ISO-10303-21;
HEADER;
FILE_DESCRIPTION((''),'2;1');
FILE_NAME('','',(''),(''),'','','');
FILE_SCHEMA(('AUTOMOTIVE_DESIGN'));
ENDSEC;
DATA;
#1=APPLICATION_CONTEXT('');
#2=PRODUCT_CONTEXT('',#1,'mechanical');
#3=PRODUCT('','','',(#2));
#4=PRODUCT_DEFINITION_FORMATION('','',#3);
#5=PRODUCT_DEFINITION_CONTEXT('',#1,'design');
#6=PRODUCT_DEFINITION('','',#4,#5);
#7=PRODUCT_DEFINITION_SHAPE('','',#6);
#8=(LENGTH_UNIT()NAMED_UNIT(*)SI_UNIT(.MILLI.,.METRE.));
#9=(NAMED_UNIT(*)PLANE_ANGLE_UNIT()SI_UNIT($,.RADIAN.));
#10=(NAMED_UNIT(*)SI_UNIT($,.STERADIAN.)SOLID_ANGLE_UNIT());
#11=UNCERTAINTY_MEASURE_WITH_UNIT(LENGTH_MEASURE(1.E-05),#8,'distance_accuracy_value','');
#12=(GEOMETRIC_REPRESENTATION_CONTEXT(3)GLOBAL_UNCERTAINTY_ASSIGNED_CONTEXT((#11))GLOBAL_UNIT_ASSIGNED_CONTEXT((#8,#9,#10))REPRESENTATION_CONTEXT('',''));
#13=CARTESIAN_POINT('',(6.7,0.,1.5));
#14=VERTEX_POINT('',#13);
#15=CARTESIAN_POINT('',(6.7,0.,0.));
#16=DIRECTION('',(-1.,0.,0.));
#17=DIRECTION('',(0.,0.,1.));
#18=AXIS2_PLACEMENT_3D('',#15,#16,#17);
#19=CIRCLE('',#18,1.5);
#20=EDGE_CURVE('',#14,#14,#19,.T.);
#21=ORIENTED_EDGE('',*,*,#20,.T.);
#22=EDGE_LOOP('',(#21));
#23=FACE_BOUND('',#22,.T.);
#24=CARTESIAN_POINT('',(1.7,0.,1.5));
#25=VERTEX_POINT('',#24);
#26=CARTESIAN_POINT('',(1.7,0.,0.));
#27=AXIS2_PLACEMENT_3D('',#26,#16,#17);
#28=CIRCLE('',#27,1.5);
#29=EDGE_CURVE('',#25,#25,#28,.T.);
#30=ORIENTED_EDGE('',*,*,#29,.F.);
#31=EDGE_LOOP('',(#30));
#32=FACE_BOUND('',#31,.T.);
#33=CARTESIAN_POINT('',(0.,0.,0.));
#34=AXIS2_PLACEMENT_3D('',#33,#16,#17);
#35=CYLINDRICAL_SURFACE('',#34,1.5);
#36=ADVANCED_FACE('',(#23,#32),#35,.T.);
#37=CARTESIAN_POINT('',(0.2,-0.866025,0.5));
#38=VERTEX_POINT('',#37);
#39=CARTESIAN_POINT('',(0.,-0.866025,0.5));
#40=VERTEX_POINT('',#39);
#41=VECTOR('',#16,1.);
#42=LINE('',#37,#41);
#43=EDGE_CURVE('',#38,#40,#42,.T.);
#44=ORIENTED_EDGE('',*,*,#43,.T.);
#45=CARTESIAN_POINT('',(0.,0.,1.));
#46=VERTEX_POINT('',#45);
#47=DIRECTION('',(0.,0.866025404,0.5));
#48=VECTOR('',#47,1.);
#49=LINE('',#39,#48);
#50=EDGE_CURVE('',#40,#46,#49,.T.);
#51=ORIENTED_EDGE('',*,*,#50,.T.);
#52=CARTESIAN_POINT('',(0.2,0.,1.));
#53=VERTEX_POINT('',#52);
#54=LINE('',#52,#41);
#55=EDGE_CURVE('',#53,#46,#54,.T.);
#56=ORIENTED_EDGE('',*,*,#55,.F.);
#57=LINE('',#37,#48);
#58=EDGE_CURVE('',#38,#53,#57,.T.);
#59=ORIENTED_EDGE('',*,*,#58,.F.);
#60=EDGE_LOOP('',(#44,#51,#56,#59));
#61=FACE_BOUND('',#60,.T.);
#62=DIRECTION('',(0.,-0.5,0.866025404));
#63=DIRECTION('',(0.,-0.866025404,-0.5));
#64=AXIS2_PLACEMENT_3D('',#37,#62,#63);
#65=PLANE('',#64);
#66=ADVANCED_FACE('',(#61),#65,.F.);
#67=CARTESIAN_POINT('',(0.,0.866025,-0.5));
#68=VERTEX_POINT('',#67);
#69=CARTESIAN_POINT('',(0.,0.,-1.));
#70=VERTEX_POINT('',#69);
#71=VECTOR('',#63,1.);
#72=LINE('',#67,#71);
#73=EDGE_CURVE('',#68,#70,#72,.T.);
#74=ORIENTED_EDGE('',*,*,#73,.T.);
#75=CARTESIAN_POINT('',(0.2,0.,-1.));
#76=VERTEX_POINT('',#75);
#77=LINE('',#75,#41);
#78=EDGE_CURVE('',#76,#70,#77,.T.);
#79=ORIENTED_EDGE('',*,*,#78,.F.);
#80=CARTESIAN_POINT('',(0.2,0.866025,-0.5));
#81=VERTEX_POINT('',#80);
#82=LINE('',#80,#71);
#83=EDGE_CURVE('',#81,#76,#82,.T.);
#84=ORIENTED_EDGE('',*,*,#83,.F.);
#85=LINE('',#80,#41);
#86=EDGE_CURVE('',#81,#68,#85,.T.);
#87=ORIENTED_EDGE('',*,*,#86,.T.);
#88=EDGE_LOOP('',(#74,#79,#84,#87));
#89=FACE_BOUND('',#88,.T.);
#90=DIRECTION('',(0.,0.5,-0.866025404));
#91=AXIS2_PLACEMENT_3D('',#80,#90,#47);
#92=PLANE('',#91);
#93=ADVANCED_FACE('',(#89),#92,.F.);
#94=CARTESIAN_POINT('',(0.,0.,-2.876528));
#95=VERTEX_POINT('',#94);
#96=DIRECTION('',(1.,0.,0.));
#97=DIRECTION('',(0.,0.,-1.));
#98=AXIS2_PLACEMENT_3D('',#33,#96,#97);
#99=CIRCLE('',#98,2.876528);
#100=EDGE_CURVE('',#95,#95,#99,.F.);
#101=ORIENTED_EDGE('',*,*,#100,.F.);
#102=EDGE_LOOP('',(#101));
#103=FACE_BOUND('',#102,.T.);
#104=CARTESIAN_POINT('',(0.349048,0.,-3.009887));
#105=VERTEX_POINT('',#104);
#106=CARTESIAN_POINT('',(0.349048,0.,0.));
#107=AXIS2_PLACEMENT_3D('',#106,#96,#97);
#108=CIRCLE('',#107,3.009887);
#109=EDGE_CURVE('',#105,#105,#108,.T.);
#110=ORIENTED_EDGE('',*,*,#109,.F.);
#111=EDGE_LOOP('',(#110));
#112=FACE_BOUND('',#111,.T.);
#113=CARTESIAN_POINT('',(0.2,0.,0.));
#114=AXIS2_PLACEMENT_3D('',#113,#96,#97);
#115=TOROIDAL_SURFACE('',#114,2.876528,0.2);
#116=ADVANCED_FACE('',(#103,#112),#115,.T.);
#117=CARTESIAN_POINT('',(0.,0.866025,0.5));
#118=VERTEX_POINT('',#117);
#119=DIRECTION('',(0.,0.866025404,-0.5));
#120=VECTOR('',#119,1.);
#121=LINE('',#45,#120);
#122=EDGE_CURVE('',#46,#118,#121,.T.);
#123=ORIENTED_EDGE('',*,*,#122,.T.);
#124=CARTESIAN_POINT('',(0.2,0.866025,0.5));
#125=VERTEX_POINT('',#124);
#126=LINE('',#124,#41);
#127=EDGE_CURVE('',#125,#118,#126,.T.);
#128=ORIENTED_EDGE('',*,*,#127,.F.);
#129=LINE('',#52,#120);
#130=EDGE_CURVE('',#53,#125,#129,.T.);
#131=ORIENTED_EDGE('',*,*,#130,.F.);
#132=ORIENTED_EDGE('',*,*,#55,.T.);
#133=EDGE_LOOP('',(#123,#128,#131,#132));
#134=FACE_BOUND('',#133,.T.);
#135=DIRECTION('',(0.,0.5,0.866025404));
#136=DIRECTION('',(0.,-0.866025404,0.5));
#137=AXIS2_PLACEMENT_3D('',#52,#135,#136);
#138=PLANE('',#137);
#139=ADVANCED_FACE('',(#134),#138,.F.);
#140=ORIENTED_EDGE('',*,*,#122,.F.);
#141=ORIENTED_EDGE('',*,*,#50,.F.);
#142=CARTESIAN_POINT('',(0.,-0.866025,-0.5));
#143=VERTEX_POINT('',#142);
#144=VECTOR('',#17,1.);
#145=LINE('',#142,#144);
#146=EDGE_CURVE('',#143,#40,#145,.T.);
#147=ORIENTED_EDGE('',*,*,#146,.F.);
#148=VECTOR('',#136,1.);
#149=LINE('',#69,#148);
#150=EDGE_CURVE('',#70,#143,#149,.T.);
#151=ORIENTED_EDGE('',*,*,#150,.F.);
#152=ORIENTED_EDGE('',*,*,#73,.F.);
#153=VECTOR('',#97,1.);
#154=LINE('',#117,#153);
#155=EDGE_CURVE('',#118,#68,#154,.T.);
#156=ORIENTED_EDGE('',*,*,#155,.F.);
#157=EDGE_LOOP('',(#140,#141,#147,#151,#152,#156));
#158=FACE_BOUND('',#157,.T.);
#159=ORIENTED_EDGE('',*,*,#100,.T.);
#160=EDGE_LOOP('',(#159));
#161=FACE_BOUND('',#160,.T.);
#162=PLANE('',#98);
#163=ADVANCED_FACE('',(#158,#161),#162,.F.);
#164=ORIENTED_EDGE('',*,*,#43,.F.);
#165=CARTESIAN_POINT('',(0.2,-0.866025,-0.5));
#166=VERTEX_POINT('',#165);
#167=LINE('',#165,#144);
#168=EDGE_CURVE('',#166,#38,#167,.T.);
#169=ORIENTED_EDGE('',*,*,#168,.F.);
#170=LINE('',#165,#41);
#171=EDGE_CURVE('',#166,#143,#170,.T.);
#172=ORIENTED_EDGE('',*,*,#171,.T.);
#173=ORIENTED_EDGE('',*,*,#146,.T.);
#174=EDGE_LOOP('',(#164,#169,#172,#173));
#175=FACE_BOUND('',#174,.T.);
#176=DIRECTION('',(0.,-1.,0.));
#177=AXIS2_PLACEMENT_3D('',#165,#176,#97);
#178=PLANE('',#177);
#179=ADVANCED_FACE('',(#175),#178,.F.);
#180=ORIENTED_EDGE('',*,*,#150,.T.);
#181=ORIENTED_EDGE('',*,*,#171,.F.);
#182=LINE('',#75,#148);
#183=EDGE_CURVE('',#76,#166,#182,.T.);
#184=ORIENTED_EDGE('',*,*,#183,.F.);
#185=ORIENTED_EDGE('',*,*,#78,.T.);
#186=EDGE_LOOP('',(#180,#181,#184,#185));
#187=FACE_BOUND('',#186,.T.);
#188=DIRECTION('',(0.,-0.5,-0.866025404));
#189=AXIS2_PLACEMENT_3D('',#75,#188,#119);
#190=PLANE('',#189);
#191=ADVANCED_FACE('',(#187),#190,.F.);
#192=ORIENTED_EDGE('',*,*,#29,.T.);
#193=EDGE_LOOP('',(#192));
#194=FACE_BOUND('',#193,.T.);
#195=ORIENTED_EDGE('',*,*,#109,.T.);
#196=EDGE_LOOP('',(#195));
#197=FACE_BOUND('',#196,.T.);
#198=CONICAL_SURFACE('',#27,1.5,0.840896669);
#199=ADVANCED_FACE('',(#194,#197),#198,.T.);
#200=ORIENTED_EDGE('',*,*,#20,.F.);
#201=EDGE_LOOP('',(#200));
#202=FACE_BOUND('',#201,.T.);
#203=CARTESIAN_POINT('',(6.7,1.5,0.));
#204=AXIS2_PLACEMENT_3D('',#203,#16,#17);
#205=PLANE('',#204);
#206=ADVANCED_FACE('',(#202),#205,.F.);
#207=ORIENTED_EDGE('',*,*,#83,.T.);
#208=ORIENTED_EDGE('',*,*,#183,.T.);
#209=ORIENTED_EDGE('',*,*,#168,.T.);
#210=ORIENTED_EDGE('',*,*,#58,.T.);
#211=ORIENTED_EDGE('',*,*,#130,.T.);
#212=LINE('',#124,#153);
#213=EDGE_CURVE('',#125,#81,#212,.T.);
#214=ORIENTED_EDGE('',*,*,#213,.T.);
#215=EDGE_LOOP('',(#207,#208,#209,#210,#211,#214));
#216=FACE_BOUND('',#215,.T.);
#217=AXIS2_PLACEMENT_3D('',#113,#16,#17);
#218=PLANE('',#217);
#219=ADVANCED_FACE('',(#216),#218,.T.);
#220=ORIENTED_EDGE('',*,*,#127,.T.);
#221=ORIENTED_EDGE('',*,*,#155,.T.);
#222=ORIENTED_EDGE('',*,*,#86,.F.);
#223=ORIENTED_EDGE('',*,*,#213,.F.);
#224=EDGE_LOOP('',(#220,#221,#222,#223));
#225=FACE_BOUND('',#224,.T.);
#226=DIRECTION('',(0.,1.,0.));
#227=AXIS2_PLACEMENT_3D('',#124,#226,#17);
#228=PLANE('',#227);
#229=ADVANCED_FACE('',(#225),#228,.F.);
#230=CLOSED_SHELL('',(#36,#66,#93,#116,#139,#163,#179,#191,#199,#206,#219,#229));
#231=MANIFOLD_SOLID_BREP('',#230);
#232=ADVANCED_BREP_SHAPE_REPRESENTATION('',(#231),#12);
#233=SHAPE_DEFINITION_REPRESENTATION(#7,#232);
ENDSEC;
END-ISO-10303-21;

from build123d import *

# Parameters (mm, degrees)
CONG_1_R                = 0.2
ENL_V_MAT_EXTRU_1_DEPTH = 0.2


with BuildPart() as part:
    # Esquisse1 → Révolution1 (revolve)
    with BuildSketch(Plane.XY, mode=Mode.PRIVATE) as r_volution1_sk:
        Polygon((0, 0), (0, 3.4), (1.7, 1.5), (6.7, 1.5), (6.7, 0), align=None)
    revolve(r_volution1_sk.sketch.rotate(Axis((0, 0, 0), (1, 0, 0)), 90), axis=Axis((0, 0, 0), (1, 0, 0)))

    # Congé1
    cong_1_edges = [part.edges().sort_by_distance(p)[0] for p in [
        (0, 0, -3.4),
    ]]
    fillet(cong_1_edges, radius=CONG_1_R)

    # Esquisse2 → Enlèv. mat.-Extru.1 (cut)
    with BuildSketch(Plane.ZY):
        Polygon((0.5, -0.866025404), (1, 0), (0.5, 0.866025404), (-0.5, 0.866025404), (-1, 0), (-0.5, -0.866025404), align=None)
    extrude(amount=-ENL_V_MAT_EXTRU_1_DEPTH, mode=Mode.SUBTRACT)


solid = part.part
